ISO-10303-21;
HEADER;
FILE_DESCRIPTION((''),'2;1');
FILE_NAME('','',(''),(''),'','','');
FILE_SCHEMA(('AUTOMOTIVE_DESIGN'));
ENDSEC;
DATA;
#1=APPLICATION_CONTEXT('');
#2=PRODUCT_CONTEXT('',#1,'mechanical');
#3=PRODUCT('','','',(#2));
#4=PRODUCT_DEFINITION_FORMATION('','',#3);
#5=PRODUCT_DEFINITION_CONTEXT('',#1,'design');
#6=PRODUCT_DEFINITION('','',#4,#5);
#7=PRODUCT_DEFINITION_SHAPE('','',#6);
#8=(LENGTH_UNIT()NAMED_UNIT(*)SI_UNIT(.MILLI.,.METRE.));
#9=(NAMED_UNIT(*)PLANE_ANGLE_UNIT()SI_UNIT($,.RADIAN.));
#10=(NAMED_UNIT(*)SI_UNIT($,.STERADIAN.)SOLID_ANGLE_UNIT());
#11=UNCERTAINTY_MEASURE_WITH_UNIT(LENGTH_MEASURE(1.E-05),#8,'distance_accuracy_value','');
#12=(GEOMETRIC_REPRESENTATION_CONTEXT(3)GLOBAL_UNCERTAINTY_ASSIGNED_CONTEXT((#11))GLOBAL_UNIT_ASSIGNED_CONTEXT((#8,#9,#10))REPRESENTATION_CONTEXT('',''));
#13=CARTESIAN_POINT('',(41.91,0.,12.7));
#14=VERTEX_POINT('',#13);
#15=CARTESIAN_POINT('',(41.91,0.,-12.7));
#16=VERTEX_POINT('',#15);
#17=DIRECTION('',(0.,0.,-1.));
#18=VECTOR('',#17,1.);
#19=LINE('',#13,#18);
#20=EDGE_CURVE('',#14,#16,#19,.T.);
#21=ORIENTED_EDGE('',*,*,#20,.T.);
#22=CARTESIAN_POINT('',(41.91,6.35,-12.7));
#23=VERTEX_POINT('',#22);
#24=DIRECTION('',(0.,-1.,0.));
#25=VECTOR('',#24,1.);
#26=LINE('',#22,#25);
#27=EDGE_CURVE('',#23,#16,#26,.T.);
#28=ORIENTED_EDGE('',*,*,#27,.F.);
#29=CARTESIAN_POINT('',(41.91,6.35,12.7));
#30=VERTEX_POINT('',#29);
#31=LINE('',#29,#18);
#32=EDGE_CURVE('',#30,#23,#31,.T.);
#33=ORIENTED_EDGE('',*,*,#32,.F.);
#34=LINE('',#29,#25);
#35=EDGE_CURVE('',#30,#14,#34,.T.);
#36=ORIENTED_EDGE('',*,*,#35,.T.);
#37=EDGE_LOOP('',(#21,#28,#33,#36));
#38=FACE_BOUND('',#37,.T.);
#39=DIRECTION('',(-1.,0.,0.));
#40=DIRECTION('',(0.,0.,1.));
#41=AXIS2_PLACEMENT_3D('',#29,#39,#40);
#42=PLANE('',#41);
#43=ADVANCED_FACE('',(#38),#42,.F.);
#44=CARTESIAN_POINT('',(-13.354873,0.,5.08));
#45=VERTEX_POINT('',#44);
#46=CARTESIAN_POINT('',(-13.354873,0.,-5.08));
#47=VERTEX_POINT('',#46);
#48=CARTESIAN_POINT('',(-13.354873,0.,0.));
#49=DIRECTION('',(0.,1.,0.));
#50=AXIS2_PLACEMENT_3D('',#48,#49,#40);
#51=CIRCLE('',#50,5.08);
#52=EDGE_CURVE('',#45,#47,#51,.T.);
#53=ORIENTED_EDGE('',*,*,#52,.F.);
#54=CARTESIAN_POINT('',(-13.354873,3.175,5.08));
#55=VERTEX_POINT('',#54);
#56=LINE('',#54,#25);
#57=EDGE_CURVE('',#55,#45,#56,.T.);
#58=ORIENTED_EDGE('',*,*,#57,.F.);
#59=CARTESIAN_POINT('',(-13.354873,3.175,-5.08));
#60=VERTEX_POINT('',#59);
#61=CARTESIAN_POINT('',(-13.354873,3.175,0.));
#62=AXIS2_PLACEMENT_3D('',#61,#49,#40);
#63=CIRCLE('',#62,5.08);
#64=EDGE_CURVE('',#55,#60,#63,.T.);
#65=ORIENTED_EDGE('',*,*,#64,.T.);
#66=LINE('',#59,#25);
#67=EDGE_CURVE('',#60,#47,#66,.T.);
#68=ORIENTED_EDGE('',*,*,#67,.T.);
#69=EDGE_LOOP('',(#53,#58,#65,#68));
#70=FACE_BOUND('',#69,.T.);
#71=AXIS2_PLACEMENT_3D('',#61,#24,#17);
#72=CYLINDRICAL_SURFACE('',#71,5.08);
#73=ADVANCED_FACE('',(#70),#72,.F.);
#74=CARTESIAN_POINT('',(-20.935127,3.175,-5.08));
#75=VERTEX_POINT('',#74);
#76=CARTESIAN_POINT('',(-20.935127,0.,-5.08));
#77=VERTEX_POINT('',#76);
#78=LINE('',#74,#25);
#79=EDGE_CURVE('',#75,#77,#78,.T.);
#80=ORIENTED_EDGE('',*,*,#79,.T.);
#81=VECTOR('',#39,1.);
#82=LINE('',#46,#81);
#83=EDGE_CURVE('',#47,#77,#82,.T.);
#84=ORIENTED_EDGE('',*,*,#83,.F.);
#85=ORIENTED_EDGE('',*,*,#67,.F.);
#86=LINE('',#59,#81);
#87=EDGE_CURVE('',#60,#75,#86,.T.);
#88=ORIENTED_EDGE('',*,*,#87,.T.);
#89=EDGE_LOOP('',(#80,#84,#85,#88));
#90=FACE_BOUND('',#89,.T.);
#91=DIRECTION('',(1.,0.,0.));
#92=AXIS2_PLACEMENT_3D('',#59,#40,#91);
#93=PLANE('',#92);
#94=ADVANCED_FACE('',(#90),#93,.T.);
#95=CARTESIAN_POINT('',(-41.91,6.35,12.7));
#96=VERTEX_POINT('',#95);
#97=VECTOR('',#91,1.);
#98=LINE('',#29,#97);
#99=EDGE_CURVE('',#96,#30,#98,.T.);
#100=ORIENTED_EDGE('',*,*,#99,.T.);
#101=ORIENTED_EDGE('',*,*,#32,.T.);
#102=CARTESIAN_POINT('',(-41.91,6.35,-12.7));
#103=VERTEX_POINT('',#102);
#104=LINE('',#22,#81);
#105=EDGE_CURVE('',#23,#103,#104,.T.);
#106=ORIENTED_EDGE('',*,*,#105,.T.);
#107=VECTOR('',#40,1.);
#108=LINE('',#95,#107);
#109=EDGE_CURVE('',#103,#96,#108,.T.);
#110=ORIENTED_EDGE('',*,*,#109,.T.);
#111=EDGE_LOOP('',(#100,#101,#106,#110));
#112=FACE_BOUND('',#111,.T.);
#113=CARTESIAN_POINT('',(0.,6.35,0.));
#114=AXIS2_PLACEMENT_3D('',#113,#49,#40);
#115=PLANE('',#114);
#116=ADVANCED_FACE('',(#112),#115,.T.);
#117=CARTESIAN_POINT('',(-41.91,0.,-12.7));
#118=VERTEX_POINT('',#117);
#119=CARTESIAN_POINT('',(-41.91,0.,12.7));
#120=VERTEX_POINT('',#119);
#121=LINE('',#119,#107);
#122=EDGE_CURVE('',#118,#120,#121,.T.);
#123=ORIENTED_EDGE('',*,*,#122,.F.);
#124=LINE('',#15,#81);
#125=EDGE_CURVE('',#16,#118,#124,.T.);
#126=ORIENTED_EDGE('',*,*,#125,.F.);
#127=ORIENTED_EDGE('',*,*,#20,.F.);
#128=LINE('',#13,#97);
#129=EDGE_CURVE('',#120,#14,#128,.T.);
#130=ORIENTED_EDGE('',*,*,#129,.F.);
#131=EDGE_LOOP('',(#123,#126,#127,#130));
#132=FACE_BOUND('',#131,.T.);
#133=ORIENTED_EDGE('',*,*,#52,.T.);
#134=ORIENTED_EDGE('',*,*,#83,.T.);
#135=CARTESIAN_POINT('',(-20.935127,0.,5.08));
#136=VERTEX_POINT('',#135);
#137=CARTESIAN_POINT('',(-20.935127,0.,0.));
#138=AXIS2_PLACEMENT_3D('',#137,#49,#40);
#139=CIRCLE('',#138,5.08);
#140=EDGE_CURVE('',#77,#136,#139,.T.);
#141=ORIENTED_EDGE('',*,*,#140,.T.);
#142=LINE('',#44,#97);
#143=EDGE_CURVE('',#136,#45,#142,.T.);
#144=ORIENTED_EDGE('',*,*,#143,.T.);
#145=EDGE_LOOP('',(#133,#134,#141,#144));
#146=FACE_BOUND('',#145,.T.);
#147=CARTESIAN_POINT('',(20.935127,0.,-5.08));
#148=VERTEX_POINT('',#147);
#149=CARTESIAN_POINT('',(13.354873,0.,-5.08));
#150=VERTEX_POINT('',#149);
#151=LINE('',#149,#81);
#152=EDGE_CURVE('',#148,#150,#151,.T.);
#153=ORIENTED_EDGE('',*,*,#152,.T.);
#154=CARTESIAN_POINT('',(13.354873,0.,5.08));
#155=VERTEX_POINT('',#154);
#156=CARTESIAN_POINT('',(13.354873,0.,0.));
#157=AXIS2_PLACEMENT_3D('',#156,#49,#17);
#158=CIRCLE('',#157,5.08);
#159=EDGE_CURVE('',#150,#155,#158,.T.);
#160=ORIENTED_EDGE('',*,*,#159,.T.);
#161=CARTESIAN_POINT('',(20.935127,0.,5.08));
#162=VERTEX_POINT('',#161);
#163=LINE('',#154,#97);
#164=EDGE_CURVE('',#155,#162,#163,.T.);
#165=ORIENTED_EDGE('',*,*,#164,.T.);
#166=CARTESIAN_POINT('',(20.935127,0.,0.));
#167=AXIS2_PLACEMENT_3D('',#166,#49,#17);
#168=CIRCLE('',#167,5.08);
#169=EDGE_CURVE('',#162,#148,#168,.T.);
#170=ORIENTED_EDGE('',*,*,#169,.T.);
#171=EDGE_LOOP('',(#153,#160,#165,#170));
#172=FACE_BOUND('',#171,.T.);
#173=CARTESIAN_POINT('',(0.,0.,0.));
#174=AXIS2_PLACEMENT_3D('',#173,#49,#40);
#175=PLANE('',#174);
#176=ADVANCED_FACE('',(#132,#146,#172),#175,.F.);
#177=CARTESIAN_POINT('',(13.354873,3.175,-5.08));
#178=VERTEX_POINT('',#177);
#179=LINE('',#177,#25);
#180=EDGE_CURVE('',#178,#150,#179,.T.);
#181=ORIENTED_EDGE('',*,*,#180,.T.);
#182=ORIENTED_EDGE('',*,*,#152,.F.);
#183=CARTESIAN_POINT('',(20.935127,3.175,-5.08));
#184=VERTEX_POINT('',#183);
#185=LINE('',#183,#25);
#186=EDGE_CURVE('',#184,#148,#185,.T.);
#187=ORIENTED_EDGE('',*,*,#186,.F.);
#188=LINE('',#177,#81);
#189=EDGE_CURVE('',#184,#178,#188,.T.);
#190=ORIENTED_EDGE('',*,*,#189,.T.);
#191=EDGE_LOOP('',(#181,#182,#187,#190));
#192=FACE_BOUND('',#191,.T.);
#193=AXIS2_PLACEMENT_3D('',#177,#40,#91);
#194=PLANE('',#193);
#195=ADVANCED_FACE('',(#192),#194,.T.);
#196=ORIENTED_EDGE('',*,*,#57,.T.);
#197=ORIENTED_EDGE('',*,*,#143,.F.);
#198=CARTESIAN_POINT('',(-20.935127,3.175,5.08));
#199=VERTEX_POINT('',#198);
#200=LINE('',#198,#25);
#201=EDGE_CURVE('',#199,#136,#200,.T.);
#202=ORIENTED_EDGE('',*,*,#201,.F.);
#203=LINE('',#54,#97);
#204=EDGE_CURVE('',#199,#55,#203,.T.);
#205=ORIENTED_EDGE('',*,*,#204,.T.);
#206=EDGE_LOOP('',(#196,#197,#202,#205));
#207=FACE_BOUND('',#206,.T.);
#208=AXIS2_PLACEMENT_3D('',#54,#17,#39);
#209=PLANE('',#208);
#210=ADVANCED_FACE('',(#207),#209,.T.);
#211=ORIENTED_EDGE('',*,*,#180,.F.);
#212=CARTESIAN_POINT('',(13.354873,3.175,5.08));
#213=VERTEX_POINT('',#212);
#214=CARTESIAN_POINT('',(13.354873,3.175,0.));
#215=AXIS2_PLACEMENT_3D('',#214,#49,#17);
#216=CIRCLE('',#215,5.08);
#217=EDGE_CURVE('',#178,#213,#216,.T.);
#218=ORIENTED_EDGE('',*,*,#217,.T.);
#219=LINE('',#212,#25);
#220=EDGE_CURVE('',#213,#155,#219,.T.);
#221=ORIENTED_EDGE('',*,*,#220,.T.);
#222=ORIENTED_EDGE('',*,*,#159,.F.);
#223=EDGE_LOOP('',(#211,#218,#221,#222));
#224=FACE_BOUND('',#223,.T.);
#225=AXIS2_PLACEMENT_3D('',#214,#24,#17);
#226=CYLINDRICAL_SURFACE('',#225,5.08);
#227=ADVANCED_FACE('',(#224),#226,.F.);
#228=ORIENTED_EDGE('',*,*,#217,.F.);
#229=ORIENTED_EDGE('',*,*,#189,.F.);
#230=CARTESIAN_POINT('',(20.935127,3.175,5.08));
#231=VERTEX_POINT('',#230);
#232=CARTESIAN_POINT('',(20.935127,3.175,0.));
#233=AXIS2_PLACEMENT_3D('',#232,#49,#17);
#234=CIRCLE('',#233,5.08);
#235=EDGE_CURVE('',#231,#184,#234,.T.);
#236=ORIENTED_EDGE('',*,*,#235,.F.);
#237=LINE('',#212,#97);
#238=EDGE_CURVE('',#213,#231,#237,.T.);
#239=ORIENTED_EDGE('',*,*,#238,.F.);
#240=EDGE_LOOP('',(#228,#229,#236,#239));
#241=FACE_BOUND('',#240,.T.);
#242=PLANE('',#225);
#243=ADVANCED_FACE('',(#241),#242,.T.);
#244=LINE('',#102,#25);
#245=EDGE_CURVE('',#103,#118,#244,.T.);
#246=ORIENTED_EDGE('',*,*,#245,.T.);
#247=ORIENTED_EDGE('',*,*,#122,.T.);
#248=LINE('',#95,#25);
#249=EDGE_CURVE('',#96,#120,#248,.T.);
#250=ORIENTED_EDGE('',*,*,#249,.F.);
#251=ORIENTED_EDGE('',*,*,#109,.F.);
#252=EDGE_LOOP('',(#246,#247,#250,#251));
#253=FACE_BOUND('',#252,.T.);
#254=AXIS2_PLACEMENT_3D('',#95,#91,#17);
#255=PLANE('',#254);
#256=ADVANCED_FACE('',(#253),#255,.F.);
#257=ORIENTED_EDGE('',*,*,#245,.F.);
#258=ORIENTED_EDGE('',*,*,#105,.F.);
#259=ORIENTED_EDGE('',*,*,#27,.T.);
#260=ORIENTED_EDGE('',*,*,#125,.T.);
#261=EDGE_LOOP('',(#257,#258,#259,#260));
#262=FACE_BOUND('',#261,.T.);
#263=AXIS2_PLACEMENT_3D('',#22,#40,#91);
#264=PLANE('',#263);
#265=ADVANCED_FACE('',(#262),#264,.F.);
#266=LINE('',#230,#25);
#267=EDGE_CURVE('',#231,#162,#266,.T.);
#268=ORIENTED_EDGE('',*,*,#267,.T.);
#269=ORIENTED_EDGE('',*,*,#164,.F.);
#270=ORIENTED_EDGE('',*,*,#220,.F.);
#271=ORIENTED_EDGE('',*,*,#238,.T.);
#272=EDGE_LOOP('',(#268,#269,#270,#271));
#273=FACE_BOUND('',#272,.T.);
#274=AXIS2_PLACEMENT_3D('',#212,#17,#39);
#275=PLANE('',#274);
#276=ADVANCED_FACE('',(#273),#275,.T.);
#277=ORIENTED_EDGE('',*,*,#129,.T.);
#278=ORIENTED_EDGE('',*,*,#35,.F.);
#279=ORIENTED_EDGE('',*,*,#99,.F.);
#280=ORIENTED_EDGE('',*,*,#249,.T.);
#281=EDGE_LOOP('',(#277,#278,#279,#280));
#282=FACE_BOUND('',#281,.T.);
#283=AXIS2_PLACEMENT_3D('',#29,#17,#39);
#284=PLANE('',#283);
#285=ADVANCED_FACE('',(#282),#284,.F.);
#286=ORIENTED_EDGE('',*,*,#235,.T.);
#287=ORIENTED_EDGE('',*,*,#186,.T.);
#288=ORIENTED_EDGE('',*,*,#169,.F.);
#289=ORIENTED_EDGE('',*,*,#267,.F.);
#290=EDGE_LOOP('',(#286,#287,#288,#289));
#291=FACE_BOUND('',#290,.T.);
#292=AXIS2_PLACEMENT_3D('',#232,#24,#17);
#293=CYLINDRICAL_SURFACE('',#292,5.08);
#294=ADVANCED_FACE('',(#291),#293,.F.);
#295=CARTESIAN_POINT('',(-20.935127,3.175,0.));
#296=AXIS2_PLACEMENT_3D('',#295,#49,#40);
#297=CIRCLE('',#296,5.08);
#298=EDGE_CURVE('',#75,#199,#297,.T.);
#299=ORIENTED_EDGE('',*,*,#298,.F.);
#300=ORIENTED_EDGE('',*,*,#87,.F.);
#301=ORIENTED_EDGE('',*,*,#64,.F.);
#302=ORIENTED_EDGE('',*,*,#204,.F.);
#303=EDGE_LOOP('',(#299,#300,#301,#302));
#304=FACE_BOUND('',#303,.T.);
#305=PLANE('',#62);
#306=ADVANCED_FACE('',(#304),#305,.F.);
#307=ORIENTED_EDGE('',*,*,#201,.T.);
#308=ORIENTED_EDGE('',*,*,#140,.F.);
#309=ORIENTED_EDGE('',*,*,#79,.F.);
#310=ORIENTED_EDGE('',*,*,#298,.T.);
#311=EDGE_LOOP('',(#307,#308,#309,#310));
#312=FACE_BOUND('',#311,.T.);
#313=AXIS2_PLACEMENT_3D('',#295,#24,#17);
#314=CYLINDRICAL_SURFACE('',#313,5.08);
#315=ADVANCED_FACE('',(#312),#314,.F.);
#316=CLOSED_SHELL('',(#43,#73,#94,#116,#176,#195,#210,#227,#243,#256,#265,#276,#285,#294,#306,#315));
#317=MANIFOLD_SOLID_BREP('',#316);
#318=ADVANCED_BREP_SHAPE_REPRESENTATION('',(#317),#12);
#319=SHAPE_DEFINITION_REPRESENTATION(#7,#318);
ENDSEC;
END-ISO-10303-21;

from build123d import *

# Parameters (mm, degrees)
SKETCH1_W          = 83.82
SKETCH1_H          = 25.4
BOX_DEPTH          = 6.35
CUT_EXTRUDE1_DEPTH = 3.175


with BuildPart() as part:
    # Sketch1 → Box (new body)
    with BuildSketch(Plane(origin=(0, 0, 0), x_dir=(1, 0, 0), z_dir=(0, 1, 0))):
        Rectangle(SKETCH1_W, SKETCH1_H)
    extrude(amount=BOX_DEPTH)

    # Sketch5 → Cut-Extrude1 (cut)
    with BuildSketch(Plane(origin=(0, 0, 0), x_dir=(1, 0, 0), z_dir=(0, 1, 0))):
        with BuildLine():
            Line((-13.354872806, -5.08), (-20.935127194, -5.08))
            ThreePointArc((-20.935127194, -5.08), (-26.015127194, 0), (-20.935127194, 5.08))
            Line((-20.935127194, 5.08), (-13.354872806, 5.08))
            ThreePointArc((-13.354872806, 5.08), (-8.274872806, 0), (-13.354872806, -5.08))
        make_face()
        with BuildLine():
            Line((13.354872806, -5.08), (20.935127194, -5.08))
            ThreePointArc((20.935127194, -5.08), (26.015127194, 0), (20.935127194, 5.08))
            Line((20.935127194, 5.08), (13.354872806, 5.08))
            ThreePointArc((13.354872806, 5.08), (8.274872806, 0), (13.354872806, -5.08))
        make_face()
    extrude(amount=CUT_EXTRUDE1_DEPTH, mode=Mode.SUBTRACT)


solid = part.part
